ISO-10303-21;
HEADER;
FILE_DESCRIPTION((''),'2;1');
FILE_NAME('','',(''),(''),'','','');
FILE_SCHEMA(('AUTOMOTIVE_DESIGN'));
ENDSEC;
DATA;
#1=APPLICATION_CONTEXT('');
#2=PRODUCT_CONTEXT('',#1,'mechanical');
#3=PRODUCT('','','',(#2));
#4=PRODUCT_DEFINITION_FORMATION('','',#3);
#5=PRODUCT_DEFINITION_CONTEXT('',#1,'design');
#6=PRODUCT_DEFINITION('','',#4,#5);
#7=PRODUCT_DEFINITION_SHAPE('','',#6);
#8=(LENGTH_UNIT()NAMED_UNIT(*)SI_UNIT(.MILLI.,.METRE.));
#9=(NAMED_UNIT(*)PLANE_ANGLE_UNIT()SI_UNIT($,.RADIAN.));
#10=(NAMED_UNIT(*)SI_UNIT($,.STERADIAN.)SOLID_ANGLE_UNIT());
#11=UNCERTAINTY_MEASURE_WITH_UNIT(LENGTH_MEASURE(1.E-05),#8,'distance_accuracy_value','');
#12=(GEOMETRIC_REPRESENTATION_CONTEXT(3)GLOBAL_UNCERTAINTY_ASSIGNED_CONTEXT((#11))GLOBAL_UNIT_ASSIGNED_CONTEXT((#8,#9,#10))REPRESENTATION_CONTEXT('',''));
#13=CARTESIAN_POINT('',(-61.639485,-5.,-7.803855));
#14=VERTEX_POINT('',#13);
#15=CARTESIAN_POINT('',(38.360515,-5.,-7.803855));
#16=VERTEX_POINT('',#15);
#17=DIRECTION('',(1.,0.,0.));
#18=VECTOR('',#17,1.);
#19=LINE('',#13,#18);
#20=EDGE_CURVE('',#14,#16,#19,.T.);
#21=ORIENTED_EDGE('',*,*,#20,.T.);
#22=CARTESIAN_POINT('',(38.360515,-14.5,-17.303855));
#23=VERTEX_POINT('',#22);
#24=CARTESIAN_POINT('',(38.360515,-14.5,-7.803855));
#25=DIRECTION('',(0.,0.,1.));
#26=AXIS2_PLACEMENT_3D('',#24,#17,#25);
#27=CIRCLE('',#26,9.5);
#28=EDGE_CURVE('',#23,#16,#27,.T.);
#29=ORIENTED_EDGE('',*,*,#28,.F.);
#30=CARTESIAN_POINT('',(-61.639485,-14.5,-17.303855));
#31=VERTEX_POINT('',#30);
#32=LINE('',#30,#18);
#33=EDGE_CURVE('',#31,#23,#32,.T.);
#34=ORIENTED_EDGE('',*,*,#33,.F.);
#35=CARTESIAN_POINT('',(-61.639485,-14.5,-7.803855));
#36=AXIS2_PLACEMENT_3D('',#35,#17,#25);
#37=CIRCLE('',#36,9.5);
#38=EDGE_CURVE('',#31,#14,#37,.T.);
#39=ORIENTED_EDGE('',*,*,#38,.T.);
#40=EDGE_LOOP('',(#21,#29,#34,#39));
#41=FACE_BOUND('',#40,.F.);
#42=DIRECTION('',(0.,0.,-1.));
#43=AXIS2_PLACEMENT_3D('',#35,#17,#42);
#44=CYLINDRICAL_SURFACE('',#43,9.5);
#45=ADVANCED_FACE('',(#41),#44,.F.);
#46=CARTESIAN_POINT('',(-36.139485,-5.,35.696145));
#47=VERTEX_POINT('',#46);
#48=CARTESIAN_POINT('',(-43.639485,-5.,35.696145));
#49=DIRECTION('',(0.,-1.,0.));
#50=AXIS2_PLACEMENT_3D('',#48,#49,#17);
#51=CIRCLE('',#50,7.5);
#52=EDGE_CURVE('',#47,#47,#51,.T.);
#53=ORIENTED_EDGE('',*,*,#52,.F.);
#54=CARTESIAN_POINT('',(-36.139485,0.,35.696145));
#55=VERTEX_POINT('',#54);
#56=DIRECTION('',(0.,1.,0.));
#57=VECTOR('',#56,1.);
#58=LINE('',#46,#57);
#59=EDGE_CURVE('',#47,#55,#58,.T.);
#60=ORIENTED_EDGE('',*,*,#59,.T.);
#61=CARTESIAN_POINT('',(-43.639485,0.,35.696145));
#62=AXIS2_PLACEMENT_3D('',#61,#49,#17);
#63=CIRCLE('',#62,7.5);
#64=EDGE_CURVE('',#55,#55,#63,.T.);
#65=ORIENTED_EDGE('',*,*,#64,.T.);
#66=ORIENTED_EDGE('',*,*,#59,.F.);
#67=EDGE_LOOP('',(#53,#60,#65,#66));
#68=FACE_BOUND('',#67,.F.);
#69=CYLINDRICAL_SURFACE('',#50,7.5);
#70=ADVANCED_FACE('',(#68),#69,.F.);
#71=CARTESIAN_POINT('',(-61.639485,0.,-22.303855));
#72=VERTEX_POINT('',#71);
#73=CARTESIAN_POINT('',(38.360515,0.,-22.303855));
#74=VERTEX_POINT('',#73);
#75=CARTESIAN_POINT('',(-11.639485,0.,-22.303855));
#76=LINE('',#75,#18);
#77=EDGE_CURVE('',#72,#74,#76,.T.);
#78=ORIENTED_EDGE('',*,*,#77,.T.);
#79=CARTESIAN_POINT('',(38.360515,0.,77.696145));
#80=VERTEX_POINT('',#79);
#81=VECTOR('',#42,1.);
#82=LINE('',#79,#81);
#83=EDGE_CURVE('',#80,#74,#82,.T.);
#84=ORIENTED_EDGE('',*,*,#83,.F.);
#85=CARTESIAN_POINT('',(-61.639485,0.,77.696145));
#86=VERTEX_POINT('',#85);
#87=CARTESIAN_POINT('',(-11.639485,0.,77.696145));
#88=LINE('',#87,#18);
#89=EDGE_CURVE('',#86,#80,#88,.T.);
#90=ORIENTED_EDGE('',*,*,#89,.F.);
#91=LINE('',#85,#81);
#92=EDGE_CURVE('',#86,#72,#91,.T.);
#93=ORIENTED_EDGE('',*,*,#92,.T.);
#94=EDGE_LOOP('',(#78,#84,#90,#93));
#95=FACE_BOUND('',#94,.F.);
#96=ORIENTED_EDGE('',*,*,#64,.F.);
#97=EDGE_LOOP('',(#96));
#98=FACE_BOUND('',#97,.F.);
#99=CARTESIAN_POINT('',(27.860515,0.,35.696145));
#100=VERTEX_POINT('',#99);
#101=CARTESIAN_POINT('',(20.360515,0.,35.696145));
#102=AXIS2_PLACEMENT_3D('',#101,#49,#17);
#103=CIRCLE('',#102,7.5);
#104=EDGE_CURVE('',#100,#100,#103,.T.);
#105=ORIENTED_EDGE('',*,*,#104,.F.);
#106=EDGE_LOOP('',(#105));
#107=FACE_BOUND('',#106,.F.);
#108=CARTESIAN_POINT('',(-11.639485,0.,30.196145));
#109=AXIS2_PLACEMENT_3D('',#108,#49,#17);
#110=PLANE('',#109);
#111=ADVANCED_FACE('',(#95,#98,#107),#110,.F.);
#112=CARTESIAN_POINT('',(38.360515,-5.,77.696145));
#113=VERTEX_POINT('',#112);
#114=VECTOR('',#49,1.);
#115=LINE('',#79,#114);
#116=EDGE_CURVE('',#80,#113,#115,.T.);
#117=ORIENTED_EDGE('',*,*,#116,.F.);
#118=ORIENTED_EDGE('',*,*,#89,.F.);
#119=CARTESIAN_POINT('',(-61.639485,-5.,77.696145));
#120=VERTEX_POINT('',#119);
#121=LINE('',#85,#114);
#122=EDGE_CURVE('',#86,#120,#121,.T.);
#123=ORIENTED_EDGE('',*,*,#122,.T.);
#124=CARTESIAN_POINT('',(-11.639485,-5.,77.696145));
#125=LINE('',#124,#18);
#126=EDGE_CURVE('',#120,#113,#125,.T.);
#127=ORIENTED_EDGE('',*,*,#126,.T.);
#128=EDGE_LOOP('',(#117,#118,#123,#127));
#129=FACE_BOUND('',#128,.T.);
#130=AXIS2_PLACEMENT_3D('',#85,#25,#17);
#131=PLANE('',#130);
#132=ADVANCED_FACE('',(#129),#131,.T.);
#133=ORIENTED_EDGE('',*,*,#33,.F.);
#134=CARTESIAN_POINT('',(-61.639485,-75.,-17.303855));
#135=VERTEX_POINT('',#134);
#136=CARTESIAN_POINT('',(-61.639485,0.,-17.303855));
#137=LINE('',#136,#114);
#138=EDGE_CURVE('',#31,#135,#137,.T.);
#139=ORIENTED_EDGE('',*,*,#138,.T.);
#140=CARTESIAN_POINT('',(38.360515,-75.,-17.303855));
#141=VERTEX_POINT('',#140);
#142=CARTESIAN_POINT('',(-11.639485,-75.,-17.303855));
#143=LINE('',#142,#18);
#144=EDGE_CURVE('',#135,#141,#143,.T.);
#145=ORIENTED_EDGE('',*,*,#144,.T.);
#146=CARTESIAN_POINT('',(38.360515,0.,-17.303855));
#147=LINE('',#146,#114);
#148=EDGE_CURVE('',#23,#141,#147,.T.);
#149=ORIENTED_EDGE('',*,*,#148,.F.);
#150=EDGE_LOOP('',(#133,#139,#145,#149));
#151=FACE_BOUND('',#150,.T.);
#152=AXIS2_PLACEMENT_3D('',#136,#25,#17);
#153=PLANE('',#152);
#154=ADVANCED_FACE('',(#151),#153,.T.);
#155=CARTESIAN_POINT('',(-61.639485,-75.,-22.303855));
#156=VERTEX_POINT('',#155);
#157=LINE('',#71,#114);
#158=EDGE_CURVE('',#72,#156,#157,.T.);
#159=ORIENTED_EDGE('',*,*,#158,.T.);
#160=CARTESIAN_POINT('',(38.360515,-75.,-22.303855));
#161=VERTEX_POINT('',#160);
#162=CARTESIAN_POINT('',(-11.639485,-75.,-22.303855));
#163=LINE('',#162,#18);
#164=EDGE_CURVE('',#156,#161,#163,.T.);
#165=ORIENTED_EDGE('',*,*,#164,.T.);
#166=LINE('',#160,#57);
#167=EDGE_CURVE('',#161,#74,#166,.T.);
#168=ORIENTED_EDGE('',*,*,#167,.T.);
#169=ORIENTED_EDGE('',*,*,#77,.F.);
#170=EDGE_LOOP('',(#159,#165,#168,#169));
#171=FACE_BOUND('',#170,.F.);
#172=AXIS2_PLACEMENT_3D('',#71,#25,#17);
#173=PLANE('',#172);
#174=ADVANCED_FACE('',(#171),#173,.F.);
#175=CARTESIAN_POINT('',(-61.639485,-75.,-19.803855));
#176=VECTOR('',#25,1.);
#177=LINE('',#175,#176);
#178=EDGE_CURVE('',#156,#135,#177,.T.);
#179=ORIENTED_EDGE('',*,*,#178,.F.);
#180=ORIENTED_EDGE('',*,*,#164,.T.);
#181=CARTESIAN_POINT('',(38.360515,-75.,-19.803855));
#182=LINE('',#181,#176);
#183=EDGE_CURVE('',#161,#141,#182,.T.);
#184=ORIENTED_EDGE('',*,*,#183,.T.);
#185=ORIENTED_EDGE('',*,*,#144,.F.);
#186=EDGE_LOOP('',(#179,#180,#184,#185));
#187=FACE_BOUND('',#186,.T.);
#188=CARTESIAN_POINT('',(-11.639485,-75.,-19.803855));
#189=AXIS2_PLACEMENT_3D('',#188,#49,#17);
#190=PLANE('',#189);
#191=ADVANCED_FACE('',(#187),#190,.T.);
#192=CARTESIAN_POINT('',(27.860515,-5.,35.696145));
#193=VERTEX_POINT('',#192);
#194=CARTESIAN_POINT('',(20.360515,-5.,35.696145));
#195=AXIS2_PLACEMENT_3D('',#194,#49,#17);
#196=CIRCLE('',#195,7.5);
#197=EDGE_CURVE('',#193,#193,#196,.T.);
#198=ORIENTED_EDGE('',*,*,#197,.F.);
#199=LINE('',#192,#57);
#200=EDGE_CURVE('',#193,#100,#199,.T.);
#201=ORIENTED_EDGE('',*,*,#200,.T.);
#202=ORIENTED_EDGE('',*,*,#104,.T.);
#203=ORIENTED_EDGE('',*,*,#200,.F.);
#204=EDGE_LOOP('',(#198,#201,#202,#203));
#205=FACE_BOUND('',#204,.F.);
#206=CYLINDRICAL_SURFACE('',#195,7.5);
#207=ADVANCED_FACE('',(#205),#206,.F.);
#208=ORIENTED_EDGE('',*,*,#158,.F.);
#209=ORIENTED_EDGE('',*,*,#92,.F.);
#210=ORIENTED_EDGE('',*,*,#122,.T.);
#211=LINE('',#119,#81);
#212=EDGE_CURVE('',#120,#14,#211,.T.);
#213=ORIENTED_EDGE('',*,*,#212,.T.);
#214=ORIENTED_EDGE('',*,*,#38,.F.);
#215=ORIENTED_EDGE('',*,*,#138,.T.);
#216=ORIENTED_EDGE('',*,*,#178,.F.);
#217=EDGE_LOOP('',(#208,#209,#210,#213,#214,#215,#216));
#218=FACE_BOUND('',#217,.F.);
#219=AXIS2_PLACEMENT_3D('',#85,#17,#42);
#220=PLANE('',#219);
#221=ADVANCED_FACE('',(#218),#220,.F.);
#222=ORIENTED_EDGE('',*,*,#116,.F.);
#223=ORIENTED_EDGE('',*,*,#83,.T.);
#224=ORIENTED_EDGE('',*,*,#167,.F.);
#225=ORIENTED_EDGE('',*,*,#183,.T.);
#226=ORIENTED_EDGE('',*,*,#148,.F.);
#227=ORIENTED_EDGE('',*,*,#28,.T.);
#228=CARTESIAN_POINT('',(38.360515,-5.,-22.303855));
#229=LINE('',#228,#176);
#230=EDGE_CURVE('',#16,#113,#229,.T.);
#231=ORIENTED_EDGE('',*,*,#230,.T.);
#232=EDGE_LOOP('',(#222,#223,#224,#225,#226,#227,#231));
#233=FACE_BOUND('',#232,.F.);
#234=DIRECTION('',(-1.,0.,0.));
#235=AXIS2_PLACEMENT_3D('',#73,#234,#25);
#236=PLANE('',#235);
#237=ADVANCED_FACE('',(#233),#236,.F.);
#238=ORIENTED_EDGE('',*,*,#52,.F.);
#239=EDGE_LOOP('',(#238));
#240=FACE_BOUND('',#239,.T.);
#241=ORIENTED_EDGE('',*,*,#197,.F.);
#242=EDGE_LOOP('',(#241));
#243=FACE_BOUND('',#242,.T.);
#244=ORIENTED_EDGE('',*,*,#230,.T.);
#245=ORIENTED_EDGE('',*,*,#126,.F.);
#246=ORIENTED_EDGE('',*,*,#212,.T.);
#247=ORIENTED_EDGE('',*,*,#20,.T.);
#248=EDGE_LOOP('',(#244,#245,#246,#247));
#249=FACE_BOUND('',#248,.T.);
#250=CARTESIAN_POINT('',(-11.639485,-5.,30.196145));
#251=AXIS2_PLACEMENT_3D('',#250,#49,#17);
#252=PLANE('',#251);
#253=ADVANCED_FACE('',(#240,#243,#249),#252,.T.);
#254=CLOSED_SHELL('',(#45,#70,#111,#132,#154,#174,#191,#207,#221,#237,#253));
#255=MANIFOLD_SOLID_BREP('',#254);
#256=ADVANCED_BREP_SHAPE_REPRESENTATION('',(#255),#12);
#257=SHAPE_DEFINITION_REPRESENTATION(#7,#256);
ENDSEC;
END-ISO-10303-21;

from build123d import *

# Parameters (mm, degrees)
F0_W     = 100
F0_H     = 5
F1_DEPTH = 75
F0_H_2   = 95
F2_DEPTH = 5
F3_R     = 9.5
F4_R     = 7.5
F5_DEPTH = 5.001


with BuildPart() as f1:
    # F0 (on Front) → F1 (new body)
    with BuildSketch(Plane.XZ):
        with Locations((-11.639485, -19.803855)):
            Rectangle(F0_W, F0_H)
    extrude(amount=F1_DEPTH)

    # F0 (on Front) → F2 (join)
    with BuildSketch(Plane.XZ):
        with Locations((-11.639485, 30.196145)):
            Rectangle(F0_W, F0_H_2)
        with Locations((-11.639485, -19.803855)):
            Rectangle(F0_W, F0_H)
    extrude(amount=F2_DEPTH)

    # F3
    f3_edges = [f1.edges().sort_by_distance(p)[0] for p in [
        (-11.639485, -5, -17.303855),
    ]]
    fillet(f3_edges, radius=F3_R)

    # F4 (on face) → F5 (cut, through all)
    with BuildSketch(Plane.XZ.offset(5)):
        with Locations((20.360515, 35.696145)):
            Circle(F4_R)
        with Locations((-43.639485, 35.696145)):
            Circle(F4_R)
    extrude(amount=-F5_DEPTH, mode=Mode.SUBTRACT)


solid = f1.part
